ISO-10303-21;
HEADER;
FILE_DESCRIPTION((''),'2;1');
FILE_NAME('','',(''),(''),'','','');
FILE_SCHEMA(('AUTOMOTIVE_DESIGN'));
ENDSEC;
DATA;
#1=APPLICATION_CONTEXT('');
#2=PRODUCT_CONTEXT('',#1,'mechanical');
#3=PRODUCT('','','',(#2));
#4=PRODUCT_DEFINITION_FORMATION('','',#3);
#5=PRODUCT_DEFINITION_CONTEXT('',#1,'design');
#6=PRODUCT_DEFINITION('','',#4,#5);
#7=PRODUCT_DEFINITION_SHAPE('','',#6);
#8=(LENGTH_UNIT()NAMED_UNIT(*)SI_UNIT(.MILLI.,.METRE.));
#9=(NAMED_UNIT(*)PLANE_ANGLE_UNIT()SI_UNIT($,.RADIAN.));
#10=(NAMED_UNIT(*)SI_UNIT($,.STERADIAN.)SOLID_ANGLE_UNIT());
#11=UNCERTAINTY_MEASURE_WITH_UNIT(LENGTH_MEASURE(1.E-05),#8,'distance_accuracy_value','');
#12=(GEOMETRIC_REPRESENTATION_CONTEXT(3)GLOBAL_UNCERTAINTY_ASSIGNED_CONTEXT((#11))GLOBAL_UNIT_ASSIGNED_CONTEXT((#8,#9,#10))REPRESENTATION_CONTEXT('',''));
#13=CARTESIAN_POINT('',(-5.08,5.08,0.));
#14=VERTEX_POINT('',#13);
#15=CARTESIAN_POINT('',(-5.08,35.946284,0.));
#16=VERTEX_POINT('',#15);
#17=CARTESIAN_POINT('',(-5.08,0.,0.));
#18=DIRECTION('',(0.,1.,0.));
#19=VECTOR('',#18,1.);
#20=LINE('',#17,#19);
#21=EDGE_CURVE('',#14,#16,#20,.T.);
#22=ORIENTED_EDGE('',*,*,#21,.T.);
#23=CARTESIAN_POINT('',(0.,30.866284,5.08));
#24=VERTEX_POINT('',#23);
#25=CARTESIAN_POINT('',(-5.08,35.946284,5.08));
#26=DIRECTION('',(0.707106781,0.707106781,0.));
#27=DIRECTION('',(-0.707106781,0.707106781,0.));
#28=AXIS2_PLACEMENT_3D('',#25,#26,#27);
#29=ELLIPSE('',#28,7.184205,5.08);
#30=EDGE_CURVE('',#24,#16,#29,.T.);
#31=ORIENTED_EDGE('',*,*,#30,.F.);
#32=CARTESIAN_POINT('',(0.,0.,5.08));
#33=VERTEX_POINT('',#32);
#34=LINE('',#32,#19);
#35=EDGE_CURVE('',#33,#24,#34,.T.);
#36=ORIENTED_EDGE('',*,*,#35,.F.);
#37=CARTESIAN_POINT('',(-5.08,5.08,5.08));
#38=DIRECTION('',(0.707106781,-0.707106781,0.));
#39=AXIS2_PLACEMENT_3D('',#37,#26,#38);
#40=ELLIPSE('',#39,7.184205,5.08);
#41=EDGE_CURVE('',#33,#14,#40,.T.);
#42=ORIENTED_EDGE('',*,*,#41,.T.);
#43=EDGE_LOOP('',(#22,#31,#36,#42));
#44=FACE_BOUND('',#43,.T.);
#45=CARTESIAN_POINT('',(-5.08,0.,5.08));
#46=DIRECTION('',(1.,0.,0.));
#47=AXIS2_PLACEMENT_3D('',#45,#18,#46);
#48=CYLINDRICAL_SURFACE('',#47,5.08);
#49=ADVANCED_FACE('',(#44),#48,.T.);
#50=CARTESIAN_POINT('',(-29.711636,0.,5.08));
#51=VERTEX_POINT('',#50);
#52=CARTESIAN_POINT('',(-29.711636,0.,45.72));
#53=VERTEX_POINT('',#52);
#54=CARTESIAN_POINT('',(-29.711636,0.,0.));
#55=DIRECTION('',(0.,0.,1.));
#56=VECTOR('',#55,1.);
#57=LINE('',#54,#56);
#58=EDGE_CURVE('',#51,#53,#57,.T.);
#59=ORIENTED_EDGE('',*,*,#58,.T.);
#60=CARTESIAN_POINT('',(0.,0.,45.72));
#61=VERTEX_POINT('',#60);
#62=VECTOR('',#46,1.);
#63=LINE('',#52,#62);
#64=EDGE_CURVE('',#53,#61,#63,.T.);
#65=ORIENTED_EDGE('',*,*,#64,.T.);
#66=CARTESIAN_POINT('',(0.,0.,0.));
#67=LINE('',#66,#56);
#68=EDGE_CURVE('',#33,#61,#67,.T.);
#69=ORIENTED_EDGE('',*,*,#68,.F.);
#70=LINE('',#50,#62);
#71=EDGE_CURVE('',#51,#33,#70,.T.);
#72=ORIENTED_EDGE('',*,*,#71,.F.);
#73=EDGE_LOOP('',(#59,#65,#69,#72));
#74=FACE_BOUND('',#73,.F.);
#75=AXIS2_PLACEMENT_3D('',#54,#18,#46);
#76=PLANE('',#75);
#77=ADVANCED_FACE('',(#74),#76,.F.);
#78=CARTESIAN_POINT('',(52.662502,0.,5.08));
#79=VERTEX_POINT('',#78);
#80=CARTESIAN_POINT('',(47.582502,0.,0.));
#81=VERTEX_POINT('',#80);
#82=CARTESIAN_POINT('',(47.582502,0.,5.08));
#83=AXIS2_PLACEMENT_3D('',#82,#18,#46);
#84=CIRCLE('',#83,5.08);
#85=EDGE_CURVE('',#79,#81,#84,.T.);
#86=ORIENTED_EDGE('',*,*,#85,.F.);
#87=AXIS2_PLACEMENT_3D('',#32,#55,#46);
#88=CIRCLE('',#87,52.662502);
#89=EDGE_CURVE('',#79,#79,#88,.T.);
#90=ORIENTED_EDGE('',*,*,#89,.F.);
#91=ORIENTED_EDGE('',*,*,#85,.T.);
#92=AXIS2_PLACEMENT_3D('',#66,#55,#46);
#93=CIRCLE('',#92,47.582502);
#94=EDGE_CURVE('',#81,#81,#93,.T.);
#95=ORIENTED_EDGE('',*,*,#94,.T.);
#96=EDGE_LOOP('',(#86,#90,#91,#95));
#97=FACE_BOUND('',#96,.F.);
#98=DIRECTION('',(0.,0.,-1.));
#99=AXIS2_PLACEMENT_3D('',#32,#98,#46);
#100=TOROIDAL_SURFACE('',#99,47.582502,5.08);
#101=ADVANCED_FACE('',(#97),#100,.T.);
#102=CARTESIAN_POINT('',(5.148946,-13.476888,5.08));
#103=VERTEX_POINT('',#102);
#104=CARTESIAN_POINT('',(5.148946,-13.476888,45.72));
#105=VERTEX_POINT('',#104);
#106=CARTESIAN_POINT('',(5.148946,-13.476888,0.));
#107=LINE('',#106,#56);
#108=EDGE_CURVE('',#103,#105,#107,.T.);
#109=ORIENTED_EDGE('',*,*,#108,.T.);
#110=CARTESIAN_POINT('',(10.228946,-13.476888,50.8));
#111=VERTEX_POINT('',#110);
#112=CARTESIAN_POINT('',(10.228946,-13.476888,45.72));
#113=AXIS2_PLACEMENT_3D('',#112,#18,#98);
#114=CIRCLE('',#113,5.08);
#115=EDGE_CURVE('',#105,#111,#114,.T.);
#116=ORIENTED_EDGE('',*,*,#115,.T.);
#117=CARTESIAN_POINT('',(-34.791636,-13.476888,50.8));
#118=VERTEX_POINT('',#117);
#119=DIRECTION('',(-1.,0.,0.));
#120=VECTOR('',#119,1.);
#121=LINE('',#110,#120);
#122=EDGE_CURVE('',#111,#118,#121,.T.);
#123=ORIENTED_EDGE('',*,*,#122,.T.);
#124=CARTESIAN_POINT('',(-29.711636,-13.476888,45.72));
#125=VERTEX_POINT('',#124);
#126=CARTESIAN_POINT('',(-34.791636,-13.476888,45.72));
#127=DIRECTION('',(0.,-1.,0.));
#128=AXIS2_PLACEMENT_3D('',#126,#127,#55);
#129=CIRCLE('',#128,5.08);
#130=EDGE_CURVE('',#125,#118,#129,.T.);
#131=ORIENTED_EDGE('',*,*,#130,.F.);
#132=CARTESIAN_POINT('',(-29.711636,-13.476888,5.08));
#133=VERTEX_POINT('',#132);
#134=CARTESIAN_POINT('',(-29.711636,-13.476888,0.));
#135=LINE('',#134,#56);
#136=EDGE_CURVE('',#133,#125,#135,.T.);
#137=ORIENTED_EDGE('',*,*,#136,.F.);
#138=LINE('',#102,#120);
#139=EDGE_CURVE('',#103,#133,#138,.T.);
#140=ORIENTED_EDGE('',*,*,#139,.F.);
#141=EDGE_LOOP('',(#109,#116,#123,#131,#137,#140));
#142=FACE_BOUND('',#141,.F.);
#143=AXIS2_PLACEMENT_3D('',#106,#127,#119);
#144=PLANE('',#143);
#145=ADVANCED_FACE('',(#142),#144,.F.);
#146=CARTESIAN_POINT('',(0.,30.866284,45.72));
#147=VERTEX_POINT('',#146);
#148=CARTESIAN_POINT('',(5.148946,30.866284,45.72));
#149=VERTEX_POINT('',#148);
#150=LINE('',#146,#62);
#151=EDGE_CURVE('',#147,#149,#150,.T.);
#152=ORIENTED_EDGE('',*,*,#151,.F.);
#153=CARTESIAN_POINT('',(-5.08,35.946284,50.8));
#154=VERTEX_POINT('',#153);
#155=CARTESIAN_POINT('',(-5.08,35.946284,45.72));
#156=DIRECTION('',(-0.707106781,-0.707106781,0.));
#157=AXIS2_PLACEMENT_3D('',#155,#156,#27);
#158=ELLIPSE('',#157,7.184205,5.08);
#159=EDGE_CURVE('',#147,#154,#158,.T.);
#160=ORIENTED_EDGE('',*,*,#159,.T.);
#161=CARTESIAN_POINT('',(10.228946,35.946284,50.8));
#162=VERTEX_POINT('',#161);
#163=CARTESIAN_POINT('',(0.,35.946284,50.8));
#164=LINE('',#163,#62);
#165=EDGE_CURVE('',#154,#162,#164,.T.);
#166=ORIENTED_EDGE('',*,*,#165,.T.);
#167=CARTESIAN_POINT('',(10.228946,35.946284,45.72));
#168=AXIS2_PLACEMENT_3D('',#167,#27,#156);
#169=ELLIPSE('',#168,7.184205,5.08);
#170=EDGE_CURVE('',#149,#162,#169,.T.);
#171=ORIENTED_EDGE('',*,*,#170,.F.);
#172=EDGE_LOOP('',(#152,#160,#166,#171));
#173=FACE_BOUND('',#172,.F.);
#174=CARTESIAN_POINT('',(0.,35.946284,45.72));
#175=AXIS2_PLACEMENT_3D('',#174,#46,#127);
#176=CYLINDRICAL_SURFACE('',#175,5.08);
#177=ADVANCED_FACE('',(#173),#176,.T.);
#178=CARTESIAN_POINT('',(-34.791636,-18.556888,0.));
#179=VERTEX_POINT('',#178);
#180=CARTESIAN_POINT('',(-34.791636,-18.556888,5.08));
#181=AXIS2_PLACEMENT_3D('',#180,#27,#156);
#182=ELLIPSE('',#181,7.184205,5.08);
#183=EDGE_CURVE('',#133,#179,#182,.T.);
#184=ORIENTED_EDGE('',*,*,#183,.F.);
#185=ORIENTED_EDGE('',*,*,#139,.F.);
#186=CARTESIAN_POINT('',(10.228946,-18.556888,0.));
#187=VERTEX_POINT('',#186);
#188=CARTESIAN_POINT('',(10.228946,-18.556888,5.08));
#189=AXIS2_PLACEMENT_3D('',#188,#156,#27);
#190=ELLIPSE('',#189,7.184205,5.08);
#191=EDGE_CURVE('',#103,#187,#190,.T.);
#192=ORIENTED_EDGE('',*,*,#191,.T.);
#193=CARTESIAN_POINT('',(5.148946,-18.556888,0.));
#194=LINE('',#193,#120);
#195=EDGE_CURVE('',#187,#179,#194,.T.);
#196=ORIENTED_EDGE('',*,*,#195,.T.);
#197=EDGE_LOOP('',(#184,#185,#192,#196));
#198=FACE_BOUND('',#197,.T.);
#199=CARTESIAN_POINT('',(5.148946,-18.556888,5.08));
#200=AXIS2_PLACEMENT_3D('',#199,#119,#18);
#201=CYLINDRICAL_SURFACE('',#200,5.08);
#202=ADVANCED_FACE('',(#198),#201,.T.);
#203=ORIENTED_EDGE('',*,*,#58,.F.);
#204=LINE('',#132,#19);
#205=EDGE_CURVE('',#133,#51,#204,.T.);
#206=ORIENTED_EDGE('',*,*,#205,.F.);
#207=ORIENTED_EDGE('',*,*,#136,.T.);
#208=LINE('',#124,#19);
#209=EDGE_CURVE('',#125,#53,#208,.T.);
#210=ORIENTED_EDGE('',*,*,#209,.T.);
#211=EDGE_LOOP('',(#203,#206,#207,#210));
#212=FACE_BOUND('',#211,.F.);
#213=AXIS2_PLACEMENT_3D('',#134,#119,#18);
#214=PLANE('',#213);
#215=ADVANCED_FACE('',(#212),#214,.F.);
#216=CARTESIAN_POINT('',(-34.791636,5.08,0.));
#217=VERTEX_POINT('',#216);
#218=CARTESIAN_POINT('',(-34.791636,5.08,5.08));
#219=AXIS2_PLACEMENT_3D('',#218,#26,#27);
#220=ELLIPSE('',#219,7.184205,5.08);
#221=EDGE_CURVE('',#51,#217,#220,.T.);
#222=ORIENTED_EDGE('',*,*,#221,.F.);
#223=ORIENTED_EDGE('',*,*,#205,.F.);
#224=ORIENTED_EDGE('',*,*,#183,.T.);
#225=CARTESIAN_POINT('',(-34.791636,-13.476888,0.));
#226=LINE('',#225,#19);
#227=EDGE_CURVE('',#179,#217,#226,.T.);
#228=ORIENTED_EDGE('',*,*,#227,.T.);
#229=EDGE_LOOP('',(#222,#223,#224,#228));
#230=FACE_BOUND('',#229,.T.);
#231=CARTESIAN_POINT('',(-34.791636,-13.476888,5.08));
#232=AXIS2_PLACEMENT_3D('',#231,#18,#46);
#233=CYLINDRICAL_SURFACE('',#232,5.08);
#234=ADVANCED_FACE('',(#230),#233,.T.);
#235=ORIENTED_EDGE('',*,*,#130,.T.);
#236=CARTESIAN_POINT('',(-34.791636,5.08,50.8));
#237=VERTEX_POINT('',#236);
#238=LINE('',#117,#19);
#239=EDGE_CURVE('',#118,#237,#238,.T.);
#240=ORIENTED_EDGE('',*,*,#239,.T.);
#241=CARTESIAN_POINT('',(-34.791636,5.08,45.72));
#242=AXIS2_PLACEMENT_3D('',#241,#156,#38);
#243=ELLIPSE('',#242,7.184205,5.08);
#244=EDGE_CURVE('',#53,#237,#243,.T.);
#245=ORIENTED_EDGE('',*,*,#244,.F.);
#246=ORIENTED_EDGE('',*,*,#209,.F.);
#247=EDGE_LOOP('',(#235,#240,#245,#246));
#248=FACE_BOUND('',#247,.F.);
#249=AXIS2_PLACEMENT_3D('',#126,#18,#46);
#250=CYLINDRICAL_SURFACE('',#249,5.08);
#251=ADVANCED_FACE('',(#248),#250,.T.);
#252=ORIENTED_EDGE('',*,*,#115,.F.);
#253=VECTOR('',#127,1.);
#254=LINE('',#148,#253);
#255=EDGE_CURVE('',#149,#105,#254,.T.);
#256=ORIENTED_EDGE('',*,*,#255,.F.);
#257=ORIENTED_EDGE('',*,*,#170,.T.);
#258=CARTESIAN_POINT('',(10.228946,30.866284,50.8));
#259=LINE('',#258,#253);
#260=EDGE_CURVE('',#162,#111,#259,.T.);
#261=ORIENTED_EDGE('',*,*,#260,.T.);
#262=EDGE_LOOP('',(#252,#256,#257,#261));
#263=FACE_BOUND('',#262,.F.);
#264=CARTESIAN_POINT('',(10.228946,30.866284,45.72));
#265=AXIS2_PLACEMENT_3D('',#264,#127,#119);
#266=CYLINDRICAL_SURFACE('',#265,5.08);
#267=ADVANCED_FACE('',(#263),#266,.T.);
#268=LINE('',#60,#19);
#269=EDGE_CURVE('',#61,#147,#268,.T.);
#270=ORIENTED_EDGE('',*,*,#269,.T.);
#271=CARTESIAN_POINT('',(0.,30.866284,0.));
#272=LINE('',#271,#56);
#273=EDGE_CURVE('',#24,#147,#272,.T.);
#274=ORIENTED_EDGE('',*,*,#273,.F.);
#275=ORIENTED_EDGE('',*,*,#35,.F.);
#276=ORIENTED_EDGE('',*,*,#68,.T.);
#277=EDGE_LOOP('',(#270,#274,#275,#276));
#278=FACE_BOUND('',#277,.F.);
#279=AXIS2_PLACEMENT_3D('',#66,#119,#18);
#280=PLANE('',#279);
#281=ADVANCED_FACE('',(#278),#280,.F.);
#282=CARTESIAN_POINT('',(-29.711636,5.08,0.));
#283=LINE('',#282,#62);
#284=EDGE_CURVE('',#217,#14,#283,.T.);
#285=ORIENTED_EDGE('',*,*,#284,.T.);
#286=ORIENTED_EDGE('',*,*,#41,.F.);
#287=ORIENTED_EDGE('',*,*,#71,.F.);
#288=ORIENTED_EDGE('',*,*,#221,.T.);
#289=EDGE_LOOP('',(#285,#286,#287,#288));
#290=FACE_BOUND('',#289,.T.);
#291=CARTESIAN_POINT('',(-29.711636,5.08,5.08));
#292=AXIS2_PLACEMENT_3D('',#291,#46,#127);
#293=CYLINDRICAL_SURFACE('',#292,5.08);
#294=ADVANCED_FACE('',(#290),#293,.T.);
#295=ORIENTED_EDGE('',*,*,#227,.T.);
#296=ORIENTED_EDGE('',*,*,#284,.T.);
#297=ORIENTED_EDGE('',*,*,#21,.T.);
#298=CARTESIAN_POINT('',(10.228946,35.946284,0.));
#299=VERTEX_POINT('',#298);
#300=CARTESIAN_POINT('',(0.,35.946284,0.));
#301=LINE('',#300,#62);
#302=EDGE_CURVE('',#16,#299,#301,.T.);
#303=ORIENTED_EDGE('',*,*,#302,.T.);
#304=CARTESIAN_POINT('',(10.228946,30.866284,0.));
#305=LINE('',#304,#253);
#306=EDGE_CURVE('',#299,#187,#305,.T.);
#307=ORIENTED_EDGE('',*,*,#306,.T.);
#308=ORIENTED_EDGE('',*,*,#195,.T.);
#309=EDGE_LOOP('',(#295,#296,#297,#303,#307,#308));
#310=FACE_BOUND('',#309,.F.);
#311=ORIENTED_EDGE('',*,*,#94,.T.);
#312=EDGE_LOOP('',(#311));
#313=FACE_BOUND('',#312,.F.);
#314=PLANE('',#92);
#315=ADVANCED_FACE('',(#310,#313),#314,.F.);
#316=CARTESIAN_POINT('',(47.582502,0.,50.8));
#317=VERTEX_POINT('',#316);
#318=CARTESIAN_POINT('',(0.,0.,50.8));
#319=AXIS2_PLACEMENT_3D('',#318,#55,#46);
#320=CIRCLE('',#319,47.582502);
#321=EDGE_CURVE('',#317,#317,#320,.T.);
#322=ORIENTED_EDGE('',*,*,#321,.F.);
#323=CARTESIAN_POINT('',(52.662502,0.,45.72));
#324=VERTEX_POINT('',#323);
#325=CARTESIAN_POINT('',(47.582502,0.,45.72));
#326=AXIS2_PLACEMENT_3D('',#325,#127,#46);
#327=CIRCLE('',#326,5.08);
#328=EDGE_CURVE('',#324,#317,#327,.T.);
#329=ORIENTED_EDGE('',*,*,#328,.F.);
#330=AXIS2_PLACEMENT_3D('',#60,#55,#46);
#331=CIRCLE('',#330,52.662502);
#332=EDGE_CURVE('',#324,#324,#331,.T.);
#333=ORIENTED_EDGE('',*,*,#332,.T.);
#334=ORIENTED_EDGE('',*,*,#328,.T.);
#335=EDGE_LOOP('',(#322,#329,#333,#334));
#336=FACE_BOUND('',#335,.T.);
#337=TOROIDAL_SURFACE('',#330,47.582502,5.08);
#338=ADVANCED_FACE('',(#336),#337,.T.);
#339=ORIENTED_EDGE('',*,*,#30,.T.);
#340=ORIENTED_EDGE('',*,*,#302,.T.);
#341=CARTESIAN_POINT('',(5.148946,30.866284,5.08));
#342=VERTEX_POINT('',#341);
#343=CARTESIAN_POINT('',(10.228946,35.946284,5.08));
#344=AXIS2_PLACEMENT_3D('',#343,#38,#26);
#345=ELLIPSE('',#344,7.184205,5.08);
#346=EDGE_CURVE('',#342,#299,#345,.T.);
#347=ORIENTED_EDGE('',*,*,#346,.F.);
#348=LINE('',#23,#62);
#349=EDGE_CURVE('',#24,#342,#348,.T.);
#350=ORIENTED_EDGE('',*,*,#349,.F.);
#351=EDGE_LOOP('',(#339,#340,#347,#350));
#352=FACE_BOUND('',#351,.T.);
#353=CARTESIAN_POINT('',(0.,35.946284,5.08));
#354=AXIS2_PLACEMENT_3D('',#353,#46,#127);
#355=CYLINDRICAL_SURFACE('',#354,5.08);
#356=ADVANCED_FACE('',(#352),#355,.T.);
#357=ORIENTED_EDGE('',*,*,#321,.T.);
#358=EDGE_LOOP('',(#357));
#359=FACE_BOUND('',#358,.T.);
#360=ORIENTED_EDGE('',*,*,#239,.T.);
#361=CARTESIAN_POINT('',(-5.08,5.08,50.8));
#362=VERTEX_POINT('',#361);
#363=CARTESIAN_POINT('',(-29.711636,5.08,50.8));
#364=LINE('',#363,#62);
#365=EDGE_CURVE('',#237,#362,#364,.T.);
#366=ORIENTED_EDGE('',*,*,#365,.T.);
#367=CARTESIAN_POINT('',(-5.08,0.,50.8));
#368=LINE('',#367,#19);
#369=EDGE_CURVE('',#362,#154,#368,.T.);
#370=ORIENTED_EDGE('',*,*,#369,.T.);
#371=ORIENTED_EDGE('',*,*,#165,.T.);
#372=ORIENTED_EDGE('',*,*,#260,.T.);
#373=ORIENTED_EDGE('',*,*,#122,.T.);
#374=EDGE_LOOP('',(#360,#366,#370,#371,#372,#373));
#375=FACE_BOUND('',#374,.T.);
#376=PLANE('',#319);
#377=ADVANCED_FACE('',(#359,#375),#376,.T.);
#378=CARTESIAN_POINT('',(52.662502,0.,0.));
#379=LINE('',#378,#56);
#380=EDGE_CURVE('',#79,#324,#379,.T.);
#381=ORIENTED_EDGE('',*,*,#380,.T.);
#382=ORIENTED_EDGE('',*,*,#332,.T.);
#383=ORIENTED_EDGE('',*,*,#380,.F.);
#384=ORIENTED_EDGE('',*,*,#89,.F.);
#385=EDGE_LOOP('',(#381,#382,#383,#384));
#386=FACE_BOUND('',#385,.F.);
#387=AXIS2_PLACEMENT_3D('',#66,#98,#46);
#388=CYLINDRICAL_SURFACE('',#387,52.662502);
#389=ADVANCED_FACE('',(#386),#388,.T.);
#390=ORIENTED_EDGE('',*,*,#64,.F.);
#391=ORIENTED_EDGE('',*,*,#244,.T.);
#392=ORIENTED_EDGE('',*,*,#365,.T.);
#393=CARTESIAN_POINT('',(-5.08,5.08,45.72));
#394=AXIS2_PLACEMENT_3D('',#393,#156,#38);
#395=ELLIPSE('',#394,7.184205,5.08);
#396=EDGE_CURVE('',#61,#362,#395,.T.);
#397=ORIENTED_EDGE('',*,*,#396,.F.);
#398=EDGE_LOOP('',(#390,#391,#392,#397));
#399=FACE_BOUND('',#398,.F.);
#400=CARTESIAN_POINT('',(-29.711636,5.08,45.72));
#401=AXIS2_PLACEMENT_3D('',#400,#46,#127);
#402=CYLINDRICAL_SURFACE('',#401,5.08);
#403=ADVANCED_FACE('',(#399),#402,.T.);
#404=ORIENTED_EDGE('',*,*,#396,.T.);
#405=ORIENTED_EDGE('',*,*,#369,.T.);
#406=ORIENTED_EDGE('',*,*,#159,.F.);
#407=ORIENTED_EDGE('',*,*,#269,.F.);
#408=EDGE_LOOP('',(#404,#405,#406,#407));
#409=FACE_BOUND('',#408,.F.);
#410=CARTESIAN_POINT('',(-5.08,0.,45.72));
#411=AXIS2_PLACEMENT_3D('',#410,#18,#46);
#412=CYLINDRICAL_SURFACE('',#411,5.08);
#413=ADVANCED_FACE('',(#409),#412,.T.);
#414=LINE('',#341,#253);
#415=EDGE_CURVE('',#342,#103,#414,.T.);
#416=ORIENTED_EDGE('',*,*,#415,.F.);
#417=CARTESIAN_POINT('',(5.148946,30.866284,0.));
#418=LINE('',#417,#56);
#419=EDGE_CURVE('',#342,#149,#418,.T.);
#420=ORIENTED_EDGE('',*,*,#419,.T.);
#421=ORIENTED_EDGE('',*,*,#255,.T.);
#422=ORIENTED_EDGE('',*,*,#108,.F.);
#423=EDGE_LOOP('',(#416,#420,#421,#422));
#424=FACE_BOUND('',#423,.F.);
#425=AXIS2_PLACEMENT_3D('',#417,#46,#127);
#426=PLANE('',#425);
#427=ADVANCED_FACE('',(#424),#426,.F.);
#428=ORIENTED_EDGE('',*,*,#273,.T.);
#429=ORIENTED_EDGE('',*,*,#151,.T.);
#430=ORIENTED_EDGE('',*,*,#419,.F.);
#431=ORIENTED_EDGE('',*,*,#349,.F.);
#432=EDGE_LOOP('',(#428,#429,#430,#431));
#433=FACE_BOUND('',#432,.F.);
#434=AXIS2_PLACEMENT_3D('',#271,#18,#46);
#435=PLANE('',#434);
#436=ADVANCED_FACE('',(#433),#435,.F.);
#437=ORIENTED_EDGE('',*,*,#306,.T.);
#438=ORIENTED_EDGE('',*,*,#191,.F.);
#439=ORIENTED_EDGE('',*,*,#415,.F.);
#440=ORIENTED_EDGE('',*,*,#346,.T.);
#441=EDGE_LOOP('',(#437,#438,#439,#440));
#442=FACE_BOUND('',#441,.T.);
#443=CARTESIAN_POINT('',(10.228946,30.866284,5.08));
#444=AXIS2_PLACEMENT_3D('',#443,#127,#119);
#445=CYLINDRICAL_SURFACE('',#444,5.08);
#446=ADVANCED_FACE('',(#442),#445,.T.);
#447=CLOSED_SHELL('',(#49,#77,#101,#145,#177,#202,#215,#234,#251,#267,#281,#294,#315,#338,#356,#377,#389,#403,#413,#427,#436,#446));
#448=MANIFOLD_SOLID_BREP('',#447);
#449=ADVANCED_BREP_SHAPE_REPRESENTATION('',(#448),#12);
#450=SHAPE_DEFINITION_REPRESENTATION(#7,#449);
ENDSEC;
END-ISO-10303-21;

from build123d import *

# Parameters (mm, degrees)
F0_R     = 52.662502
F1_DEPTH = 50.8
F2_R     = 5.08


with BuildPart() as f1:
    # F0 (on Top) → F1 (new body)
    with BuildSketch(Plane.XY):
        Circle(F0_R)
        Polygon((5.148946, 0), (5.148946, -13.476888), (-29.711636, -13.476888), (-29.711636, 0), (0, 0), (0, 30.866284), (5.148946, 30.866284), align=None, mode=Mode.SUBTRACT)
    extrude(amount=F1_DEPTH)

    # F2
    f2_edges = [f1.edges().sort_by_distance(p)[0] for p in [
        (-52.662502, 0, 50.8),
        (-14.855818, 0, 50.8),
        (-29.711636, -6.738444, 50.8),
        (5.148946, 8.694698, 50.8),
        (0, 15.433142, 50.8),
        (2.574473, 30.866284, 50.8),
        (-52.662502, 0, 0),
        (-12.281345, -13.476888, 0),
        (-29.711636, -6.738444, 0),
        (-14.855818, 0, 0),
        (0, 15.433142, 0),
        (2.574473, 30.866284, 0),
        (5.148946, 8.694698, 0),
    ]]
    fillet(f2_edges, radius=F2_R)


solid = f1.part
